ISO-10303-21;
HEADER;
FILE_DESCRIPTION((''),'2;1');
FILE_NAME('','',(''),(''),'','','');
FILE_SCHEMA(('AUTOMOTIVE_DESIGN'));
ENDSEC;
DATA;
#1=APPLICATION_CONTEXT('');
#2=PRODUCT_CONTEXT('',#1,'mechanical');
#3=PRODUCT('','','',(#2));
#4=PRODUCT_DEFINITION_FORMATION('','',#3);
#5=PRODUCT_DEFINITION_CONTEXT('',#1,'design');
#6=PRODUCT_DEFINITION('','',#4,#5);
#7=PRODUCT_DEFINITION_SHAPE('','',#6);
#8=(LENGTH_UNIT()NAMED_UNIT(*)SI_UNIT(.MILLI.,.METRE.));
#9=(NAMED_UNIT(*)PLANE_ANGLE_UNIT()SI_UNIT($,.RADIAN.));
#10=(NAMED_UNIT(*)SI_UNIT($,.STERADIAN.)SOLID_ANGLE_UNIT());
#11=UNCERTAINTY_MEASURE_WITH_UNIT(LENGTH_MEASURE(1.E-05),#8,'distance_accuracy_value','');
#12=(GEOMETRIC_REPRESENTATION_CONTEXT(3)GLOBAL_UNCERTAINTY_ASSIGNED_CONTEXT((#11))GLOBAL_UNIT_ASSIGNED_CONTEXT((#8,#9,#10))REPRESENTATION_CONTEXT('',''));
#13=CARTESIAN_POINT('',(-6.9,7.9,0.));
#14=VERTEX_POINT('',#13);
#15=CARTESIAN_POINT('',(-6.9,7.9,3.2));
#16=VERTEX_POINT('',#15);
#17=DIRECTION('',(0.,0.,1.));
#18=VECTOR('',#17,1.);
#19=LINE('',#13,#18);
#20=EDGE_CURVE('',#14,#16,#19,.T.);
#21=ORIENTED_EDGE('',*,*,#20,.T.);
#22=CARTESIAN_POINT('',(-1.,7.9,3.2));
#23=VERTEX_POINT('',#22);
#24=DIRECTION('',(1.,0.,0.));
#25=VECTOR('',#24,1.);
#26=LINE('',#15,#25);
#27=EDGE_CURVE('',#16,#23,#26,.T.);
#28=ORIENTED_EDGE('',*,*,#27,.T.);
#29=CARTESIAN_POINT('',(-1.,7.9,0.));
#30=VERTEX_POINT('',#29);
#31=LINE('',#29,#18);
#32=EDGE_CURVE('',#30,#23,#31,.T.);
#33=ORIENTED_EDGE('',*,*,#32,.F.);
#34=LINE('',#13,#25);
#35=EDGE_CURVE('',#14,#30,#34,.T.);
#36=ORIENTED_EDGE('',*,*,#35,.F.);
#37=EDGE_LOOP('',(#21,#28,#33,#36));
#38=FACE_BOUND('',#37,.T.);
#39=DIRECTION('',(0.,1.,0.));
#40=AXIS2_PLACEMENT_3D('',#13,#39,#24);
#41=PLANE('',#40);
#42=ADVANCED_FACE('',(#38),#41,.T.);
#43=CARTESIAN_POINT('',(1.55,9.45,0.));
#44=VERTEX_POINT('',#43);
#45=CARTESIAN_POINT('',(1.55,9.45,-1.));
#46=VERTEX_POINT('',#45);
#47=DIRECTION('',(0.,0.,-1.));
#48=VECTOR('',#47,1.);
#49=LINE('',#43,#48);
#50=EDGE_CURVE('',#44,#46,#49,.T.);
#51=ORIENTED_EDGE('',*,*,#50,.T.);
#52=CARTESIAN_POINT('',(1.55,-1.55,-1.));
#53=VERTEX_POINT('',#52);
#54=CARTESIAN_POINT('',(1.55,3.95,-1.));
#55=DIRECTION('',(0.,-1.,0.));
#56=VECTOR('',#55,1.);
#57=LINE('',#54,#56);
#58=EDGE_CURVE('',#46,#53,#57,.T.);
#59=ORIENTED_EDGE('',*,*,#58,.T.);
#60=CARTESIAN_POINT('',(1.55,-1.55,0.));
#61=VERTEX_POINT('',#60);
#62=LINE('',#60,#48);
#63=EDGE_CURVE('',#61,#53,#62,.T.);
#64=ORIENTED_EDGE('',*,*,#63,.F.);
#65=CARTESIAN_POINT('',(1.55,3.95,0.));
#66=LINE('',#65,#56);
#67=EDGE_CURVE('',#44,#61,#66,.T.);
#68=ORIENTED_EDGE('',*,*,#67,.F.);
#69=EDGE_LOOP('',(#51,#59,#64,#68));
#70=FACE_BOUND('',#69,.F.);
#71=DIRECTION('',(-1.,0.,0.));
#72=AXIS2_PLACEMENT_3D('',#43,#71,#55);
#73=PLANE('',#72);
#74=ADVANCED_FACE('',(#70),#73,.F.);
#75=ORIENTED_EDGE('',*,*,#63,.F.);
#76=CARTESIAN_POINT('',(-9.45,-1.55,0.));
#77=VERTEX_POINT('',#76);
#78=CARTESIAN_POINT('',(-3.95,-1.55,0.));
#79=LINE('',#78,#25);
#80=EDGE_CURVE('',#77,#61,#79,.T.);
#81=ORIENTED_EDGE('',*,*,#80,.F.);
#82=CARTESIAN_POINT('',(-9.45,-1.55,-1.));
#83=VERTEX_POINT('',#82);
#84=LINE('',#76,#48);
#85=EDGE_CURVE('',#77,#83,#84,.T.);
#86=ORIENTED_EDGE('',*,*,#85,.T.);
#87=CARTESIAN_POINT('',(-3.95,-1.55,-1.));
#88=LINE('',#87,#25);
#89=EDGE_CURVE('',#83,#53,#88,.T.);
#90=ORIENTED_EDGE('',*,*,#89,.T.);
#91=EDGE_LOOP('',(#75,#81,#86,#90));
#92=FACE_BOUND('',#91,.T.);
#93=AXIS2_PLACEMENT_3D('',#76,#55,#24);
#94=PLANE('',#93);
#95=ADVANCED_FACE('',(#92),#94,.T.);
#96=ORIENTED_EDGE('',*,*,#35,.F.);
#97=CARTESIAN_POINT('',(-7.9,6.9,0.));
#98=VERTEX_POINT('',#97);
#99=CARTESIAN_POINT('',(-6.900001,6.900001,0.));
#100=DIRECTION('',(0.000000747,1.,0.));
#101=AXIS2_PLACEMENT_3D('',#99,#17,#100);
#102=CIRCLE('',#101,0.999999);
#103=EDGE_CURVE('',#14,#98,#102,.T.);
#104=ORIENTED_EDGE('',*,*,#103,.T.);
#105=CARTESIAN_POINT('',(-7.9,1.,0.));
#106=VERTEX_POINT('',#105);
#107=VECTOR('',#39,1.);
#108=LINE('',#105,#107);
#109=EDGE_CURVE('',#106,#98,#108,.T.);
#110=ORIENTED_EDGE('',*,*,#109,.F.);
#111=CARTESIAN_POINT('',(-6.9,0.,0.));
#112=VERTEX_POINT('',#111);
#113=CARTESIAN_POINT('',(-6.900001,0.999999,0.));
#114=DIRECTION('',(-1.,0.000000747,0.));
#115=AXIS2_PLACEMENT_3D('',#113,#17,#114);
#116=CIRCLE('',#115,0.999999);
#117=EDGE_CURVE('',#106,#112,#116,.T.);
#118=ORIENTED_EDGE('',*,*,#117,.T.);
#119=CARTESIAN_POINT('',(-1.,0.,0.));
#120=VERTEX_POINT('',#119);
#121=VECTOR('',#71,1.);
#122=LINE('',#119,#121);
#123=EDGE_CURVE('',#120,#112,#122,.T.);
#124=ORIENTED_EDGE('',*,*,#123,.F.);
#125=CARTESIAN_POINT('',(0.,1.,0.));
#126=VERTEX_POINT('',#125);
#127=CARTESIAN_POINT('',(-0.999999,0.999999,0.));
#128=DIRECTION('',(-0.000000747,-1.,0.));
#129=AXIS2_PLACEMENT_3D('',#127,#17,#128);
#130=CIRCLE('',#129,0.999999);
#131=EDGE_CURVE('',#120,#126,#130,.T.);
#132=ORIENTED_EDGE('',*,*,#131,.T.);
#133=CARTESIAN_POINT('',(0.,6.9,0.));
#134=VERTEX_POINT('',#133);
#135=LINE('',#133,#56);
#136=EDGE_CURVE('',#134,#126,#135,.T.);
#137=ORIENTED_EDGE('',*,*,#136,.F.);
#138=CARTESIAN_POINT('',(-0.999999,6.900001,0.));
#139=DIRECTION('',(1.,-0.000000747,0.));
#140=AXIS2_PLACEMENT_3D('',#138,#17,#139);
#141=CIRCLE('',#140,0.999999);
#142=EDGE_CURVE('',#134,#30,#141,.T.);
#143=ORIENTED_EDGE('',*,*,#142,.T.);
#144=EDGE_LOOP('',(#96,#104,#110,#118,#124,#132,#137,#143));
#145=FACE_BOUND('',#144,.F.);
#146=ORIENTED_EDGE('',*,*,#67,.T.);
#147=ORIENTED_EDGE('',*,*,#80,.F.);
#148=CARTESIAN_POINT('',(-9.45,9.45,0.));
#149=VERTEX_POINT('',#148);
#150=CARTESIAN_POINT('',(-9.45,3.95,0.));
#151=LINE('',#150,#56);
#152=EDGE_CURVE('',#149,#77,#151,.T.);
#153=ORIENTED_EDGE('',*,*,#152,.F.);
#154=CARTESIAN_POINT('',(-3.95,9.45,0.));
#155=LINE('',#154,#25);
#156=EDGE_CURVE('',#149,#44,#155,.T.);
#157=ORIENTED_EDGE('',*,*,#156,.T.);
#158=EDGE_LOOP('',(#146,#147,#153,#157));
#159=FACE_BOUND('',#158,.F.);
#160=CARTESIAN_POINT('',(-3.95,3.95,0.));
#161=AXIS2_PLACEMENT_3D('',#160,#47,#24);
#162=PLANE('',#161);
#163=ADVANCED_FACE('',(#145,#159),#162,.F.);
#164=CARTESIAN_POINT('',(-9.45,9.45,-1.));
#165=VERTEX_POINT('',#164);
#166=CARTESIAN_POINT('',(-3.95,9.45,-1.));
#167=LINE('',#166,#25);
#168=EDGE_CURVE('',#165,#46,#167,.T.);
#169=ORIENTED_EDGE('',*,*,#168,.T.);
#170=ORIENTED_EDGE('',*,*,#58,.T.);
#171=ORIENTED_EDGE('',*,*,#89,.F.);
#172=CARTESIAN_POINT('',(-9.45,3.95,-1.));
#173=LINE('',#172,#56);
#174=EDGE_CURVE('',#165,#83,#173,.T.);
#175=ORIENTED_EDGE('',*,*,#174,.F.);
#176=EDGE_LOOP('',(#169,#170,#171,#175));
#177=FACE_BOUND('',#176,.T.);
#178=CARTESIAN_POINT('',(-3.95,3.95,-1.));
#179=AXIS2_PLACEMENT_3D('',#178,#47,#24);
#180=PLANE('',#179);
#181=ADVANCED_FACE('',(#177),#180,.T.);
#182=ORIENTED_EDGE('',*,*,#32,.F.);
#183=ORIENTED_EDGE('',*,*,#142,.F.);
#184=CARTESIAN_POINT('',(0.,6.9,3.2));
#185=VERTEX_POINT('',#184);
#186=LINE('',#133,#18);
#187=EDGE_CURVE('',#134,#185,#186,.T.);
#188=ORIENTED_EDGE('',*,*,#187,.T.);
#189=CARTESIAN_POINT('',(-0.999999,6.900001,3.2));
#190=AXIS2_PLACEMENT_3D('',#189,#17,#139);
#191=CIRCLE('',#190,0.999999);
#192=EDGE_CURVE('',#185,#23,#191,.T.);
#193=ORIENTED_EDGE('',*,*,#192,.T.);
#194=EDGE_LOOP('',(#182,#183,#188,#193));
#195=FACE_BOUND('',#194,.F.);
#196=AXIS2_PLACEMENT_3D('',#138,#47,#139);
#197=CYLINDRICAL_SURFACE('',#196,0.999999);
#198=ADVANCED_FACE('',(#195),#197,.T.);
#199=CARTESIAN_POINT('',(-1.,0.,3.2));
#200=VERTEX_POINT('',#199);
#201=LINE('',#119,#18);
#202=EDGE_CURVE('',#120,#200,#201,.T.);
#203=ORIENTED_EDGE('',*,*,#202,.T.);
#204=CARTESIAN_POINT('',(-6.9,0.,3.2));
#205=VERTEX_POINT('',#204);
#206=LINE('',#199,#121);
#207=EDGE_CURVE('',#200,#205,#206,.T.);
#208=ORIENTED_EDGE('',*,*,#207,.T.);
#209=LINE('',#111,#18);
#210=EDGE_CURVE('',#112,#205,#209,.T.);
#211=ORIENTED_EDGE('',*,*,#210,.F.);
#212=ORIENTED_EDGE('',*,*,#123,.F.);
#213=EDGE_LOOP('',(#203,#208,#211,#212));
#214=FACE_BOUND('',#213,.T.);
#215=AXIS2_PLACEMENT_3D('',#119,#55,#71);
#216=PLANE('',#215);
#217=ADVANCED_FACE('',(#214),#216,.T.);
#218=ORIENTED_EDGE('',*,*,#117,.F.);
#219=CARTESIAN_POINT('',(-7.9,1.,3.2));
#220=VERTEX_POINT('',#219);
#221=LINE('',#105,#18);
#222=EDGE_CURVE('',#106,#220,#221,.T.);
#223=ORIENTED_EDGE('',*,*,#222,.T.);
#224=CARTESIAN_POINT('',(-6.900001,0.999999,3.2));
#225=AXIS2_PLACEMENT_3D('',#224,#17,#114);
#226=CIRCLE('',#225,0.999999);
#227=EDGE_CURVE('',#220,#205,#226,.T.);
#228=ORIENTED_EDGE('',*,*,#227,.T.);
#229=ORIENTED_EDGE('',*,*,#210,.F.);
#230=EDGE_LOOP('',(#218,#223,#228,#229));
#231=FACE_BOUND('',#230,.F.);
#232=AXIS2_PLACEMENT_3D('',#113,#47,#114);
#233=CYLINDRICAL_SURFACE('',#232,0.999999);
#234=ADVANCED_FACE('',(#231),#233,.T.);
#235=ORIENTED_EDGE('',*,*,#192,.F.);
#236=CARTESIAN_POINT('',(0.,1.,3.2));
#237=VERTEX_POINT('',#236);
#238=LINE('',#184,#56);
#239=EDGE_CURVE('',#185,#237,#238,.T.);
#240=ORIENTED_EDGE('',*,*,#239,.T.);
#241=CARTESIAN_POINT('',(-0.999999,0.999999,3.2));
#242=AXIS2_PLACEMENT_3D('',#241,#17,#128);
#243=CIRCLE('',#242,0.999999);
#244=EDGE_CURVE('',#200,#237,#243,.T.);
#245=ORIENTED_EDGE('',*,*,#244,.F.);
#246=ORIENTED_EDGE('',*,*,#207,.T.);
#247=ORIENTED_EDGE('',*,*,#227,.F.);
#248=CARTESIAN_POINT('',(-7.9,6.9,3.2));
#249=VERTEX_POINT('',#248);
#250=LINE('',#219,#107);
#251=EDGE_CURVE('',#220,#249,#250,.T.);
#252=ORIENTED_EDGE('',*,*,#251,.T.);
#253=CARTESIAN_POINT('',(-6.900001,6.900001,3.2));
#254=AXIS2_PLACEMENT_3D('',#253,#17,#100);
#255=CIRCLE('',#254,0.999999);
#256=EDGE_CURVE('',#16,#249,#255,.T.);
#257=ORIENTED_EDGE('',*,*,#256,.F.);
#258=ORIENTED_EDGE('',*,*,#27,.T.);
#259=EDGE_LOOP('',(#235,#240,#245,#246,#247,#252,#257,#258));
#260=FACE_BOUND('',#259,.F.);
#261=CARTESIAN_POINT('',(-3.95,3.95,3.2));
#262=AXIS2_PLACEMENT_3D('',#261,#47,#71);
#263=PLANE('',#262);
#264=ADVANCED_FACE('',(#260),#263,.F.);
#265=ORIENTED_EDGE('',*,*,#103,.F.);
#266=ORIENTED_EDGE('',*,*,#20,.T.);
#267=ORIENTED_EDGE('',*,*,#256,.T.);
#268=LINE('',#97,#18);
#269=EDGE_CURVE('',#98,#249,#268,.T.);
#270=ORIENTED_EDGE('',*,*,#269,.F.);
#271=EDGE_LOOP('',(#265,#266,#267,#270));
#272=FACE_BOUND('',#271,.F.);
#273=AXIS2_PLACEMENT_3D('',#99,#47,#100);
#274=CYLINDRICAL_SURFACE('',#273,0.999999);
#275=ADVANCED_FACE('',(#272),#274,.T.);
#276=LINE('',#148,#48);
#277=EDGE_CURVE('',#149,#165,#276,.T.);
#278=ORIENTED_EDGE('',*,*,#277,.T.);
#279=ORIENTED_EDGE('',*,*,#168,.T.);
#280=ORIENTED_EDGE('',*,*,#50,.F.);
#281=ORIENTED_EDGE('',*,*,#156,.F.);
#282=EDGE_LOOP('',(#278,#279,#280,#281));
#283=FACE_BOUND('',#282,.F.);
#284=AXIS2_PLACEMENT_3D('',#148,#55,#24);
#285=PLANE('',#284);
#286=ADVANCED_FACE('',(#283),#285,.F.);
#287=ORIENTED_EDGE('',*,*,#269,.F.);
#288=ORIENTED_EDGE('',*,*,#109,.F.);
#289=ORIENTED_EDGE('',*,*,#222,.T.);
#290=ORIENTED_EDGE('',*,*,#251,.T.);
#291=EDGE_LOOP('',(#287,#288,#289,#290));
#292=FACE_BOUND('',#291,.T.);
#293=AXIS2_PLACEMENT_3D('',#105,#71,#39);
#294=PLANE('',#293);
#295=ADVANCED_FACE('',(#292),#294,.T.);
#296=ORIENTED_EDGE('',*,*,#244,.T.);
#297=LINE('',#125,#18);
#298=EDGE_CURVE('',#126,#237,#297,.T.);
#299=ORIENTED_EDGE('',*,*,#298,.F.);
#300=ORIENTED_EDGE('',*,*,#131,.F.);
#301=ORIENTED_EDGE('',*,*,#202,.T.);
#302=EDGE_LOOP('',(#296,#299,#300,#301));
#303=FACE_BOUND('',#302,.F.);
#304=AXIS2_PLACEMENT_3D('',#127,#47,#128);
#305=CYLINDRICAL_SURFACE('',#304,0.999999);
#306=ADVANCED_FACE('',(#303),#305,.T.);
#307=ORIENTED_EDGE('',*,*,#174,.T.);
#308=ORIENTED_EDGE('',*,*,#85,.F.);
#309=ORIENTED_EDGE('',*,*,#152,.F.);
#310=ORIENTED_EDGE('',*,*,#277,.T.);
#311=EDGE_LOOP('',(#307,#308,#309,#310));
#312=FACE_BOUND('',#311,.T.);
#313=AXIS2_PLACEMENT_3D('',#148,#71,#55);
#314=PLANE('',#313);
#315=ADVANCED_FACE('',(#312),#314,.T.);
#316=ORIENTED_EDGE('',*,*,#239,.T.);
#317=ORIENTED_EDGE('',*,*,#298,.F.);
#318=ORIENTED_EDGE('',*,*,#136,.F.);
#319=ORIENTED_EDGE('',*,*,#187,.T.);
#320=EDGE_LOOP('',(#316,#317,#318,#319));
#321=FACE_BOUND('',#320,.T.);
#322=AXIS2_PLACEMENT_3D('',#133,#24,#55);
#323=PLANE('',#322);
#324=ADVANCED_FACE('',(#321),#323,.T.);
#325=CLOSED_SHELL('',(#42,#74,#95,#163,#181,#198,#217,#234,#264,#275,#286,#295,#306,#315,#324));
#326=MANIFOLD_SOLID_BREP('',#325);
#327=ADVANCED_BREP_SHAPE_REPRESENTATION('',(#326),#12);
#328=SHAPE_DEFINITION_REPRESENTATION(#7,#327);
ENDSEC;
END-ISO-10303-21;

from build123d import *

# Parameters (mm, degrees)
PAD_DEPTH    = 3.2
SKETCH001_W  = 11
SKETCH001_H  = 11
PAD001_DEPTH = 1


with BuildPart() as part:
    # Sketch → Pad (new body)
    with BuildSketch(Plane.XY):
        with BuildLine():
            Line((-1, 0), (-6.9, 0))
            ThreePointArc((-7.9, 1), (-7.607107, 0.292893), (-6.9, 0))
            Line((-7.9, 1), (-7.9, 6.9))
            ThreePointArc((-6.9, 7.9), (-7.607107, 7.607107), (-7.9, 6.9))
            Line((-6.9, 7.9), (-1, 7.9))
            ThreePointArc((0, 6.9), (-0.292893, 7.607107), (-1, 7.9))
            Line((0, 6.9), (0, 1))
            ThreePointArc((-1, 0), (-0.292893, 0.292893), (0, 1))
        make_face()
    extrude(amount=PAD_DEPTH)

    # Sketch001 (on DatumPlane) → Pad001 (join)
    with BuildSketch(Plane(origin=(0, 0, 0), x_dir=(1, 0, 0), z_dir=(0, 0, -1))):
        with Locations((-3.95, -3.95)):
            Rectangle(SKETCH001_W, SKETCH001_H)
    extrude(amount=PAD001_DEPTH)


solid = part.part
